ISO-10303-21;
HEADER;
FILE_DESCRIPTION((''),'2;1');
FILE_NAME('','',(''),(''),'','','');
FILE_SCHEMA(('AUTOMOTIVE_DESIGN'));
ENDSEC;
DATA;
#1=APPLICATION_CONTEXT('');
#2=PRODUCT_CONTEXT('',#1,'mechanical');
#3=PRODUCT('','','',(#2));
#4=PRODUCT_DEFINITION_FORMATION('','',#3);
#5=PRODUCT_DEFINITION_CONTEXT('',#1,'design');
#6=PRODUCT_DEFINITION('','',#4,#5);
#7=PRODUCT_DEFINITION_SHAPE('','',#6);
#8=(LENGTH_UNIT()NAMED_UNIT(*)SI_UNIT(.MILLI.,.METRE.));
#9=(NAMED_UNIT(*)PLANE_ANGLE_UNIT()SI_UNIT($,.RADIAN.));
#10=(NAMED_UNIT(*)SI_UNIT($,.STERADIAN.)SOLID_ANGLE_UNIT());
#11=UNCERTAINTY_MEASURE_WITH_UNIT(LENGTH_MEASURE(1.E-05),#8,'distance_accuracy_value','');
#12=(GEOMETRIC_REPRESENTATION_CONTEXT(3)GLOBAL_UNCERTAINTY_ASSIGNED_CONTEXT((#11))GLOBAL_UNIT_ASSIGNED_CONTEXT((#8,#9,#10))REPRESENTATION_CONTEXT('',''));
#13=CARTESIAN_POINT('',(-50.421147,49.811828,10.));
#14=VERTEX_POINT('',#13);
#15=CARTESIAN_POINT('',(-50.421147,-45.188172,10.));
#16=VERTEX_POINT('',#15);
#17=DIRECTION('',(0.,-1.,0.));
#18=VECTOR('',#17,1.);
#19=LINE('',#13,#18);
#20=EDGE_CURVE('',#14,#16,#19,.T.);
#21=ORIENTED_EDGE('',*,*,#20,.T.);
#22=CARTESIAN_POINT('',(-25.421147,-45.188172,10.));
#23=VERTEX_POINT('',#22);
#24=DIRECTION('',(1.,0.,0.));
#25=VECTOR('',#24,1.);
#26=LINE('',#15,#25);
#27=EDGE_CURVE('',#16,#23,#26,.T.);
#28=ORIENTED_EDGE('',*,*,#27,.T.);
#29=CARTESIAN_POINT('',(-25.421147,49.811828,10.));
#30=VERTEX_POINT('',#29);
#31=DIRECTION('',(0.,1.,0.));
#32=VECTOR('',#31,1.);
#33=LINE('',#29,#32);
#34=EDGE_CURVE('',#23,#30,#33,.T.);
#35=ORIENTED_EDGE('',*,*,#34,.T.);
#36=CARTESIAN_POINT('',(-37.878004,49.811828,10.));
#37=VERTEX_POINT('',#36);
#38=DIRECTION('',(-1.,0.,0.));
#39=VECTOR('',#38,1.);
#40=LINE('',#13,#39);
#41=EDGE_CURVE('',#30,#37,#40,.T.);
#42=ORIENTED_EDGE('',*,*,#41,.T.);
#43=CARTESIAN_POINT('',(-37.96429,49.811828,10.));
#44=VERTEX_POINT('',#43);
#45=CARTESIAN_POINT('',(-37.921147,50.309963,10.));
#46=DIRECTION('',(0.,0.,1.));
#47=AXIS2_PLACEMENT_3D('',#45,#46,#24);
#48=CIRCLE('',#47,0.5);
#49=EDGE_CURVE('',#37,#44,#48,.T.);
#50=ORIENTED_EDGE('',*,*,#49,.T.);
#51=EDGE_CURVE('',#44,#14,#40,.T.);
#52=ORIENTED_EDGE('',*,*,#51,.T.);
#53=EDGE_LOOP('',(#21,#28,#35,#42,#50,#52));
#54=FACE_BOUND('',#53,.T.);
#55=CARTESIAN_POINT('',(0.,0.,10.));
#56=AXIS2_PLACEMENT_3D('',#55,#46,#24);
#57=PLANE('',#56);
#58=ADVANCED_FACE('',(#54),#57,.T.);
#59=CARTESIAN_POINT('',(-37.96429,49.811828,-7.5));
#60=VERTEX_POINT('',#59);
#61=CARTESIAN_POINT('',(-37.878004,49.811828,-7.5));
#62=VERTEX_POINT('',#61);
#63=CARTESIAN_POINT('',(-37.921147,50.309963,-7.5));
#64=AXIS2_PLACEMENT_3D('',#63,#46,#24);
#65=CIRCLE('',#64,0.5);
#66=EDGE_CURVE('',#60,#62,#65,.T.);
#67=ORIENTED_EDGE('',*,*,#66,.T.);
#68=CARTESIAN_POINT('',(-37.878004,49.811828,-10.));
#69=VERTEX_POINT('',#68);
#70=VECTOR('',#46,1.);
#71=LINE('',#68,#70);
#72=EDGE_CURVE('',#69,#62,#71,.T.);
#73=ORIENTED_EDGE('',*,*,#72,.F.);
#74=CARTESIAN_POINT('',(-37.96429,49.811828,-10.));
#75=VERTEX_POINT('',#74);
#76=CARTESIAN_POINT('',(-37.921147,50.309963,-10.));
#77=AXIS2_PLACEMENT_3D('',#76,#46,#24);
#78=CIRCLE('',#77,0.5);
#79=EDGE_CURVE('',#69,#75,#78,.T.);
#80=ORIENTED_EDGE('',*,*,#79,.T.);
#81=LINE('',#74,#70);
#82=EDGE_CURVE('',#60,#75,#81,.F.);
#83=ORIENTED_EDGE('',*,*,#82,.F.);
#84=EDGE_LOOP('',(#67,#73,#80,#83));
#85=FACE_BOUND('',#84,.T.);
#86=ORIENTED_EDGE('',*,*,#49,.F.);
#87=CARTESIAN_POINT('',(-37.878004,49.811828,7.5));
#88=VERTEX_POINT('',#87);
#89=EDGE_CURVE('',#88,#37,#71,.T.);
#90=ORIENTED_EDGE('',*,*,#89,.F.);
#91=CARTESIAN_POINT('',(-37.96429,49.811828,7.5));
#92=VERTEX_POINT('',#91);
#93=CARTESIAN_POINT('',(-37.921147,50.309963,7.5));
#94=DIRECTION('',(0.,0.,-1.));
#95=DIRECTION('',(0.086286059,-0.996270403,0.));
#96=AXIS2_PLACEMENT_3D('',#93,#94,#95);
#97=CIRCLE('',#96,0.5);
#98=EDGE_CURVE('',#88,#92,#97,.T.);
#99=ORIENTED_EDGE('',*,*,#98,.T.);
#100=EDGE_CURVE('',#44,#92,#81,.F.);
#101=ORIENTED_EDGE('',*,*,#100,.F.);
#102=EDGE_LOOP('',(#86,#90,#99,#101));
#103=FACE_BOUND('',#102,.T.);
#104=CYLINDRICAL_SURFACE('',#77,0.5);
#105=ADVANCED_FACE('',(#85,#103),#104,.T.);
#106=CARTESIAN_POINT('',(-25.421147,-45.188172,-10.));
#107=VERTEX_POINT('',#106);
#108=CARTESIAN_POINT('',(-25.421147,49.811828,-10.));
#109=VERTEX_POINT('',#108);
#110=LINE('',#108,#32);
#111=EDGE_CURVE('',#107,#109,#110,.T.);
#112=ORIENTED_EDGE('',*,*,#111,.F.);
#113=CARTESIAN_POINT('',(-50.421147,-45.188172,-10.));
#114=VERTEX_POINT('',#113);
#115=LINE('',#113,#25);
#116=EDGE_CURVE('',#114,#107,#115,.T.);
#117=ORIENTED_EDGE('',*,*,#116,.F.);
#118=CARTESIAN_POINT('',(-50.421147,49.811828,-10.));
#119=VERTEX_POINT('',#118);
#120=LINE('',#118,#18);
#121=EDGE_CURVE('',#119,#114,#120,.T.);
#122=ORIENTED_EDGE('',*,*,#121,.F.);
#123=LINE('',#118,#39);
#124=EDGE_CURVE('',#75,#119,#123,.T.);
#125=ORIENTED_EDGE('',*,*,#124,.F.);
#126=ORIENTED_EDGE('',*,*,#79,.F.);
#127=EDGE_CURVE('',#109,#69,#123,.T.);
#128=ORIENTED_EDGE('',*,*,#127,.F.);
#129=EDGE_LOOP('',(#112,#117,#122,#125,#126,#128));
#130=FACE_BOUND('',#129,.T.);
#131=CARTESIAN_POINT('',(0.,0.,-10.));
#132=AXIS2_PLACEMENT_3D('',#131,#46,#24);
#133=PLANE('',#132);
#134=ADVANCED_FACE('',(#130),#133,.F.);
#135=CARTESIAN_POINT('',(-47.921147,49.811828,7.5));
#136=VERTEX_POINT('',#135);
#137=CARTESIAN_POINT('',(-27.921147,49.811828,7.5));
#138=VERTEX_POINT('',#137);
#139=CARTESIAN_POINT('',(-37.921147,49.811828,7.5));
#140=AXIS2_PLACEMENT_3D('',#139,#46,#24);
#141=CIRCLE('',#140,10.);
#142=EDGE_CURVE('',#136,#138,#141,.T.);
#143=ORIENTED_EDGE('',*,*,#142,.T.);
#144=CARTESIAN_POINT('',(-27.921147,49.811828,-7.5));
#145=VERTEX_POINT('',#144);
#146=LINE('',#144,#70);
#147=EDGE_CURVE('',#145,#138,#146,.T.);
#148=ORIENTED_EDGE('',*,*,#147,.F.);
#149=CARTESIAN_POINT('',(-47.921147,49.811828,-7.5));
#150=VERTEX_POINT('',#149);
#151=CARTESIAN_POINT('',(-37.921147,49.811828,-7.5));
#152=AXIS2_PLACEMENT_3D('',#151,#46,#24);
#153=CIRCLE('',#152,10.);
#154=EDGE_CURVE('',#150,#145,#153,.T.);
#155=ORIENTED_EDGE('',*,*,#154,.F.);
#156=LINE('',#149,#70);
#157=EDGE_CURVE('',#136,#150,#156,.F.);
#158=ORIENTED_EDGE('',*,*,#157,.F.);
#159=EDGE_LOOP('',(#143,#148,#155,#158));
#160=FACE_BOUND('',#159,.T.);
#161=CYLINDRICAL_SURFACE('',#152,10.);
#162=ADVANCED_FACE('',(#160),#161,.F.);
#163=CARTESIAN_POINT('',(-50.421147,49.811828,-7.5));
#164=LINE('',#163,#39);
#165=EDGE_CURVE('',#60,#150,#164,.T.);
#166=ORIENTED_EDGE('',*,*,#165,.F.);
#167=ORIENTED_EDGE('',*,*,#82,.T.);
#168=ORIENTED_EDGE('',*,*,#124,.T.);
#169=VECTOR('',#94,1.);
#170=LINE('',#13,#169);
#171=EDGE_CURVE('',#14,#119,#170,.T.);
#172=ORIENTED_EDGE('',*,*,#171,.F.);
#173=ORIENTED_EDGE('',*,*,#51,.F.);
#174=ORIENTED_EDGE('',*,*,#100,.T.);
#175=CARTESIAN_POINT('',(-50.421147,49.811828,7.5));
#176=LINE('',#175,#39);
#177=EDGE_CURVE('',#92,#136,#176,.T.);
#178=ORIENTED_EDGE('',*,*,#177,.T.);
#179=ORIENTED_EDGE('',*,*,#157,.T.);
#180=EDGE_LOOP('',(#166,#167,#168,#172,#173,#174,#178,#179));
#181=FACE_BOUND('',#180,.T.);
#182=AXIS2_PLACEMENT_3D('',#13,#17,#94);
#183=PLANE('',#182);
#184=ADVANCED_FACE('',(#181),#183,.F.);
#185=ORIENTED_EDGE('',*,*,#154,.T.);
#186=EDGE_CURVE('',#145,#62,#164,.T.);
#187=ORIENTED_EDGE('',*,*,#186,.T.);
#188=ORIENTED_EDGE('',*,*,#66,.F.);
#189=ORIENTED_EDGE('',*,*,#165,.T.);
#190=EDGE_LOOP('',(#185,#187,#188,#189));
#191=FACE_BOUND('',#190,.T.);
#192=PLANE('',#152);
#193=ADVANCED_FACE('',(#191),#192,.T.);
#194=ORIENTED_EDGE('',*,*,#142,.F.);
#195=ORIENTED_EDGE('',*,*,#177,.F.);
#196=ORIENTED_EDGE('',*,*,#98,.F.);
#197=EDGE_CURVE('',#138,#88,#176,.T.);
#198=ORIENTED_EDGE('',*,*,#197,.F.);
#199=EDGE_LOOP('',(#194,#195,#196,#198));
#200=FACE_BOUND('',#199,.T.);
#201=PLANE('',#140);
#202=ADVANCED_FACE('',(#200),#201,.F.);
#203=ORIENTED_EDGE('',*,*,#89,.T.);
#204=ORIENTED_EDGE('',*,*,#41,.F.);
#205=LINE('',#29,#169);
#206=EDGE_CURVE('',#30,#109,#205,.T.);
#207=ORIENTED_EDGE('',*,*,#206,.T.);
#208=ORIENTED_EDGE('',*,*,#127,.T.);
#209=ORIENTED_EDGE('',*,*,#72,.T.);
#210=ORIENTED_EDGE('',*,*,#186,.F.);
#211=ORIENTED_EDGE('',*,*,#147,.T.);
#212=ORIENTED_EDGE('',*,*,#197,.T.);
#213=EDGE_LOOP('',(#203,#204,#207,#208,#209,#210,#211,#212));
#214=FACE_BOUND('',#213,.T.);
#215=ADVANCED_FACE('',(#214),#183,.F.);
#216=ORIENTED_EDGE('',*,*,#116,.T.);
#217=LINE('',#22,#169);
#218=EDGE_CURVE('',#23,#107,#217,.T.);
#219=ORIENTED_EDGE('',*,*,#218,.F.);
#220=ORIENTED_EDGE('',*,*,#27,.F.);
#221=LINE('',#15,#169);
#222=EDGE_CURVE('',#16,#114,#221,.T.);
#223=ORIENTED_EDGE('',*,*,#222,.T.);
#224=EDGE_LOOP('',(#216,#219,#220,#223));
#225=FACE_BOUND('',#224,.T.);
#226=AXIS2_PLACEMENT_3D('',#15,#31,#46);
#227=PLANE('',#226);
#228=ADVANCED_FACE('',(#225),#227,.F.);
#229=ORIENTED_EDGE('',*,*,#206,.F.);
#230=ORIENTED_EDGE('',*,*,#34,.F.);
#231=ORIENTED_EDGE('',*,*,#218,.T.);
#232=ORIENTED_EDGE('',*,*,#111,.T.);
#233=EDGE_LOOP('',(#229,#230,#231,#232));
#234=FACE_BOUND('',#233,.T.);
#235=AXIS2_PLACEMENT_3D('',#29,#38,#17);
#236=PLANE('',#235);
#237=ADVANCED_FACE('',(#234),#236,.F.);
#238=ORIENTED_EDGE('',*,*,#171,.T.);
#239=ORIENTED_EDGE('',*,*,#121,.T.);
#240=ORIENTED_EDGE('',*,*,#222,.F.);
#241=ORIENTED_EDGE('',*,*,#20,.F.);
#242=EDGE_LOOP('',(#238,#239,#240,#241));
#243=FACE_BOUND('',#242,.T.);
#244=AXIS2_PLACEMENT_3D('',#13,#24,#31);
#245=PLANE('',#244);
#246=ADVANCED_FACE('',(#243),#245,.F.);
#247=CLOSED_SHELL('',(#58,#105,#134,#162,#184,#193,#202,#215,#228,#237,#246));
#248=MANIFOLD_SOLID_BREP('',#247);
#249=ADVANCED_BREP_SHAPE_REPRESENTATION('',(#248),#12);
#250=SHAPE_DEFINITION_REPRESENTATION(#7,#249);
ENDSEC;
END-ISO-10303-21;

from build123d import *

# Parameters (mm, degrees)
SKETCH1_W           = 25
SKETCH1_H           = 95
BOSS_EXTRUDE1_DEPTH = 10
SKETCH2_R           = 10
CUT_EXTRUDE1_DEPTH  = 7.5
SWEEP1_PROFILE_R    = 0.5


with BuildPart() as part:
    # Sketch1 → Boss-Extrude1 (new body, symmetric)
    with BuildSketch(Plane.XY):
        with Locations((-37.921146953, 2.311827957)):
            Rectangle(SKETCH1_W, SKETCH1_H)
    extrude(amount=BOSS_EXTRUDE1_DEPTH, both=True)

    # Sketch2 → Cut-Extrude1 (cut, symmetric)
    with BuildSketch(Plane.XY):
        with Locations((-37.921146953, 49.811827957)):
            Circle(SKETCH2_R)
    extrude(amount=CUT_EXTRUDE1_DEPTH, both=True, mode=Mode.SUBTRACT)

    # Sweep1: sweep along a path in Sketch4
    with BuildLine(Plane.ZY.offset(37.921146953)) as sweep1_path:
        Line((-10, 50.309963159), (10, 50.309963159))
    # Sweep1 profile (on start of the path) → Sweep1 (sweep)
    with BuildSketch(Plane(origin=(-37.921146953, 50.309963159, -10), x_dir=(1, 0, 0), z_dir=(0, 0, 1))):
        Circle(SWEEP1_PROFILE_R)
    sweep(path=sweep1_path.line)


solid = part.part
